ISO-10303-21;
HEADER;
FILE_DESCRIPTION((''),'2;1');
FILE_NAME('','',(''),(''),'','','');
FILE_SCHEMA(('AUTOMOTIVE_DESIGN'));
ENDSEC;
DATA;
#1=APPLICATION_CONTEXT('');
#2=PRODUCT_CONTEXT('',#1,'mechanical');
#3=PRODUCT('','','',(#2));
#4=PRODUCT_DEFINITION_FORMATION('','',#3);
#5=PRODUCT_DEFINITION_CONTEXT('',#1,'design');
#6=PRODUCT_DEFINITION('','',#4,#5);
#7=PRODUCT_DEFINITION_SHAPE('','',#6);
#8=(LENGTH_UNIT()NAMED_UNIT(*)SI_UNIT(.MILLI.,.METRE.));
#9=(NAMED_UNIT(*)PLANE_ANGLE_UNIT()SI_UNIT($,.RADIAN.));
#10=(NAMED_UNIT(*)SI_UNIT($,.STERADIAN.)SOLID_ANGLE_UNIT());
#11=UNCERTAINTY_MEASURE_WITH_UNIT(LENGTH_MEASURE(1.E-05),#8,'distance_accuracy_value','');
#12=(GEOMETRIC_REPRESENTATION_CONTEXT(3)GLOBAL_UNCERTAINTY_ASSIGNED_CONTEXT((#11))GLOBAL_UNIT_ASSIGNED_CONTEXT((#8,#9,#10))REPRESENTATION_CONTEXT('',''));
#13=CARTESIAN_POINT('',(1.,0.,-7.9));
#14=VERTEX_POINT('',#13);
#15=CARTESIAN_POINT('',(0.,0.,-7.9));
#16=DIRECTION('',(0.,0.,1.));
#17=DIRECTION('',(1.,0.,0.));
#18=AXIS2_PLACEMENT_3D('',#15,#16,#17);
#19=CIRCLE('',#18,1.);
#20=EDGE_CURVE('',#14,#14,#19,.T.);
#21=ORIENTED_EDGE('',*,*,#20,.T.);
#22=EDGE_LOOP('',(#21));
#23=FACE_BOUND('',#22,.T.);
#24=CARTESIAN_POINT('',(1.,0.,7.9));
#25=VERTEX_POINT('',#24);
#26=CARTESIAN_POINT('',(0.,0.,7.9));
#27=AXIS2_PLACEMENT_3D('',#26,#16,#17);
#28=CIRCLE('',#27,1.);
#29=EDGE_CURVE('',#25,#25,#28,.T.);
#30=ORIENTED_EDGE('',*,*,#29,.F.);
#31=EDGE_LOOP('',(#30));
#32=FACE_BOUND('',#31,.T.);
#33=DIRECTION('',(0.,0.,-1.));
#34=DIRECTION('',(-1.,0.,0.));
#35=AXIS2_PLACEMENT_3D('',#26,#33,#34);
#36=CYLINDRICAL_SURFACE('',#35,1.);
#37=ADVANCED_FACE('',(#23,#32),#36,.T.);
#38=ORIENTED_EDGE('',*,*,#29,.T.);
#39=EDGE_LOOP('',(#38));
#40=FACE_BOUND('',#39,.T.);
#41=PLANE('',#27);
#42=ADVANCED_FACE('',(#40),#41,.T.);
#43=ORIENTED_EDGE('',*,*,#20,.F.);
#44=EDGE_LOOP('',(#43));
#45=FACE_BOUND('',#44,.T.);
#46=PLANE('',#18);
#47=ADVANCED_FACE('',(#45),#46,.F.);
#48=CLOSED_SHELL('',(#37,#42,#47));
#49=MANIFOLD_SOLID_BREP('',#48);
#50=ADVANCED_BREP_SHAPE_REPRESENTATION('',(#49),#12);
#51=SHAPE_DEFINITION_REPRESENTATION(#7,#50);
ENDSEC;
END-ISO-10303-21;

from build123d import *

# Parameters (mm, degrees)
SKETCH1_R           = 1
BOSS_EXTRUDE1_DEPTH = 7.9


with BuildPart() as part:
    # Sketch1 → Boss-Extrude1 (new body, symmetric)
    with BuildSketch(Plane.XY):
        Circle(SKETCH1_R)
    extrude(amount=BOSS_EXTRUDE1_DEPTH, both=True)


solid = part.part
